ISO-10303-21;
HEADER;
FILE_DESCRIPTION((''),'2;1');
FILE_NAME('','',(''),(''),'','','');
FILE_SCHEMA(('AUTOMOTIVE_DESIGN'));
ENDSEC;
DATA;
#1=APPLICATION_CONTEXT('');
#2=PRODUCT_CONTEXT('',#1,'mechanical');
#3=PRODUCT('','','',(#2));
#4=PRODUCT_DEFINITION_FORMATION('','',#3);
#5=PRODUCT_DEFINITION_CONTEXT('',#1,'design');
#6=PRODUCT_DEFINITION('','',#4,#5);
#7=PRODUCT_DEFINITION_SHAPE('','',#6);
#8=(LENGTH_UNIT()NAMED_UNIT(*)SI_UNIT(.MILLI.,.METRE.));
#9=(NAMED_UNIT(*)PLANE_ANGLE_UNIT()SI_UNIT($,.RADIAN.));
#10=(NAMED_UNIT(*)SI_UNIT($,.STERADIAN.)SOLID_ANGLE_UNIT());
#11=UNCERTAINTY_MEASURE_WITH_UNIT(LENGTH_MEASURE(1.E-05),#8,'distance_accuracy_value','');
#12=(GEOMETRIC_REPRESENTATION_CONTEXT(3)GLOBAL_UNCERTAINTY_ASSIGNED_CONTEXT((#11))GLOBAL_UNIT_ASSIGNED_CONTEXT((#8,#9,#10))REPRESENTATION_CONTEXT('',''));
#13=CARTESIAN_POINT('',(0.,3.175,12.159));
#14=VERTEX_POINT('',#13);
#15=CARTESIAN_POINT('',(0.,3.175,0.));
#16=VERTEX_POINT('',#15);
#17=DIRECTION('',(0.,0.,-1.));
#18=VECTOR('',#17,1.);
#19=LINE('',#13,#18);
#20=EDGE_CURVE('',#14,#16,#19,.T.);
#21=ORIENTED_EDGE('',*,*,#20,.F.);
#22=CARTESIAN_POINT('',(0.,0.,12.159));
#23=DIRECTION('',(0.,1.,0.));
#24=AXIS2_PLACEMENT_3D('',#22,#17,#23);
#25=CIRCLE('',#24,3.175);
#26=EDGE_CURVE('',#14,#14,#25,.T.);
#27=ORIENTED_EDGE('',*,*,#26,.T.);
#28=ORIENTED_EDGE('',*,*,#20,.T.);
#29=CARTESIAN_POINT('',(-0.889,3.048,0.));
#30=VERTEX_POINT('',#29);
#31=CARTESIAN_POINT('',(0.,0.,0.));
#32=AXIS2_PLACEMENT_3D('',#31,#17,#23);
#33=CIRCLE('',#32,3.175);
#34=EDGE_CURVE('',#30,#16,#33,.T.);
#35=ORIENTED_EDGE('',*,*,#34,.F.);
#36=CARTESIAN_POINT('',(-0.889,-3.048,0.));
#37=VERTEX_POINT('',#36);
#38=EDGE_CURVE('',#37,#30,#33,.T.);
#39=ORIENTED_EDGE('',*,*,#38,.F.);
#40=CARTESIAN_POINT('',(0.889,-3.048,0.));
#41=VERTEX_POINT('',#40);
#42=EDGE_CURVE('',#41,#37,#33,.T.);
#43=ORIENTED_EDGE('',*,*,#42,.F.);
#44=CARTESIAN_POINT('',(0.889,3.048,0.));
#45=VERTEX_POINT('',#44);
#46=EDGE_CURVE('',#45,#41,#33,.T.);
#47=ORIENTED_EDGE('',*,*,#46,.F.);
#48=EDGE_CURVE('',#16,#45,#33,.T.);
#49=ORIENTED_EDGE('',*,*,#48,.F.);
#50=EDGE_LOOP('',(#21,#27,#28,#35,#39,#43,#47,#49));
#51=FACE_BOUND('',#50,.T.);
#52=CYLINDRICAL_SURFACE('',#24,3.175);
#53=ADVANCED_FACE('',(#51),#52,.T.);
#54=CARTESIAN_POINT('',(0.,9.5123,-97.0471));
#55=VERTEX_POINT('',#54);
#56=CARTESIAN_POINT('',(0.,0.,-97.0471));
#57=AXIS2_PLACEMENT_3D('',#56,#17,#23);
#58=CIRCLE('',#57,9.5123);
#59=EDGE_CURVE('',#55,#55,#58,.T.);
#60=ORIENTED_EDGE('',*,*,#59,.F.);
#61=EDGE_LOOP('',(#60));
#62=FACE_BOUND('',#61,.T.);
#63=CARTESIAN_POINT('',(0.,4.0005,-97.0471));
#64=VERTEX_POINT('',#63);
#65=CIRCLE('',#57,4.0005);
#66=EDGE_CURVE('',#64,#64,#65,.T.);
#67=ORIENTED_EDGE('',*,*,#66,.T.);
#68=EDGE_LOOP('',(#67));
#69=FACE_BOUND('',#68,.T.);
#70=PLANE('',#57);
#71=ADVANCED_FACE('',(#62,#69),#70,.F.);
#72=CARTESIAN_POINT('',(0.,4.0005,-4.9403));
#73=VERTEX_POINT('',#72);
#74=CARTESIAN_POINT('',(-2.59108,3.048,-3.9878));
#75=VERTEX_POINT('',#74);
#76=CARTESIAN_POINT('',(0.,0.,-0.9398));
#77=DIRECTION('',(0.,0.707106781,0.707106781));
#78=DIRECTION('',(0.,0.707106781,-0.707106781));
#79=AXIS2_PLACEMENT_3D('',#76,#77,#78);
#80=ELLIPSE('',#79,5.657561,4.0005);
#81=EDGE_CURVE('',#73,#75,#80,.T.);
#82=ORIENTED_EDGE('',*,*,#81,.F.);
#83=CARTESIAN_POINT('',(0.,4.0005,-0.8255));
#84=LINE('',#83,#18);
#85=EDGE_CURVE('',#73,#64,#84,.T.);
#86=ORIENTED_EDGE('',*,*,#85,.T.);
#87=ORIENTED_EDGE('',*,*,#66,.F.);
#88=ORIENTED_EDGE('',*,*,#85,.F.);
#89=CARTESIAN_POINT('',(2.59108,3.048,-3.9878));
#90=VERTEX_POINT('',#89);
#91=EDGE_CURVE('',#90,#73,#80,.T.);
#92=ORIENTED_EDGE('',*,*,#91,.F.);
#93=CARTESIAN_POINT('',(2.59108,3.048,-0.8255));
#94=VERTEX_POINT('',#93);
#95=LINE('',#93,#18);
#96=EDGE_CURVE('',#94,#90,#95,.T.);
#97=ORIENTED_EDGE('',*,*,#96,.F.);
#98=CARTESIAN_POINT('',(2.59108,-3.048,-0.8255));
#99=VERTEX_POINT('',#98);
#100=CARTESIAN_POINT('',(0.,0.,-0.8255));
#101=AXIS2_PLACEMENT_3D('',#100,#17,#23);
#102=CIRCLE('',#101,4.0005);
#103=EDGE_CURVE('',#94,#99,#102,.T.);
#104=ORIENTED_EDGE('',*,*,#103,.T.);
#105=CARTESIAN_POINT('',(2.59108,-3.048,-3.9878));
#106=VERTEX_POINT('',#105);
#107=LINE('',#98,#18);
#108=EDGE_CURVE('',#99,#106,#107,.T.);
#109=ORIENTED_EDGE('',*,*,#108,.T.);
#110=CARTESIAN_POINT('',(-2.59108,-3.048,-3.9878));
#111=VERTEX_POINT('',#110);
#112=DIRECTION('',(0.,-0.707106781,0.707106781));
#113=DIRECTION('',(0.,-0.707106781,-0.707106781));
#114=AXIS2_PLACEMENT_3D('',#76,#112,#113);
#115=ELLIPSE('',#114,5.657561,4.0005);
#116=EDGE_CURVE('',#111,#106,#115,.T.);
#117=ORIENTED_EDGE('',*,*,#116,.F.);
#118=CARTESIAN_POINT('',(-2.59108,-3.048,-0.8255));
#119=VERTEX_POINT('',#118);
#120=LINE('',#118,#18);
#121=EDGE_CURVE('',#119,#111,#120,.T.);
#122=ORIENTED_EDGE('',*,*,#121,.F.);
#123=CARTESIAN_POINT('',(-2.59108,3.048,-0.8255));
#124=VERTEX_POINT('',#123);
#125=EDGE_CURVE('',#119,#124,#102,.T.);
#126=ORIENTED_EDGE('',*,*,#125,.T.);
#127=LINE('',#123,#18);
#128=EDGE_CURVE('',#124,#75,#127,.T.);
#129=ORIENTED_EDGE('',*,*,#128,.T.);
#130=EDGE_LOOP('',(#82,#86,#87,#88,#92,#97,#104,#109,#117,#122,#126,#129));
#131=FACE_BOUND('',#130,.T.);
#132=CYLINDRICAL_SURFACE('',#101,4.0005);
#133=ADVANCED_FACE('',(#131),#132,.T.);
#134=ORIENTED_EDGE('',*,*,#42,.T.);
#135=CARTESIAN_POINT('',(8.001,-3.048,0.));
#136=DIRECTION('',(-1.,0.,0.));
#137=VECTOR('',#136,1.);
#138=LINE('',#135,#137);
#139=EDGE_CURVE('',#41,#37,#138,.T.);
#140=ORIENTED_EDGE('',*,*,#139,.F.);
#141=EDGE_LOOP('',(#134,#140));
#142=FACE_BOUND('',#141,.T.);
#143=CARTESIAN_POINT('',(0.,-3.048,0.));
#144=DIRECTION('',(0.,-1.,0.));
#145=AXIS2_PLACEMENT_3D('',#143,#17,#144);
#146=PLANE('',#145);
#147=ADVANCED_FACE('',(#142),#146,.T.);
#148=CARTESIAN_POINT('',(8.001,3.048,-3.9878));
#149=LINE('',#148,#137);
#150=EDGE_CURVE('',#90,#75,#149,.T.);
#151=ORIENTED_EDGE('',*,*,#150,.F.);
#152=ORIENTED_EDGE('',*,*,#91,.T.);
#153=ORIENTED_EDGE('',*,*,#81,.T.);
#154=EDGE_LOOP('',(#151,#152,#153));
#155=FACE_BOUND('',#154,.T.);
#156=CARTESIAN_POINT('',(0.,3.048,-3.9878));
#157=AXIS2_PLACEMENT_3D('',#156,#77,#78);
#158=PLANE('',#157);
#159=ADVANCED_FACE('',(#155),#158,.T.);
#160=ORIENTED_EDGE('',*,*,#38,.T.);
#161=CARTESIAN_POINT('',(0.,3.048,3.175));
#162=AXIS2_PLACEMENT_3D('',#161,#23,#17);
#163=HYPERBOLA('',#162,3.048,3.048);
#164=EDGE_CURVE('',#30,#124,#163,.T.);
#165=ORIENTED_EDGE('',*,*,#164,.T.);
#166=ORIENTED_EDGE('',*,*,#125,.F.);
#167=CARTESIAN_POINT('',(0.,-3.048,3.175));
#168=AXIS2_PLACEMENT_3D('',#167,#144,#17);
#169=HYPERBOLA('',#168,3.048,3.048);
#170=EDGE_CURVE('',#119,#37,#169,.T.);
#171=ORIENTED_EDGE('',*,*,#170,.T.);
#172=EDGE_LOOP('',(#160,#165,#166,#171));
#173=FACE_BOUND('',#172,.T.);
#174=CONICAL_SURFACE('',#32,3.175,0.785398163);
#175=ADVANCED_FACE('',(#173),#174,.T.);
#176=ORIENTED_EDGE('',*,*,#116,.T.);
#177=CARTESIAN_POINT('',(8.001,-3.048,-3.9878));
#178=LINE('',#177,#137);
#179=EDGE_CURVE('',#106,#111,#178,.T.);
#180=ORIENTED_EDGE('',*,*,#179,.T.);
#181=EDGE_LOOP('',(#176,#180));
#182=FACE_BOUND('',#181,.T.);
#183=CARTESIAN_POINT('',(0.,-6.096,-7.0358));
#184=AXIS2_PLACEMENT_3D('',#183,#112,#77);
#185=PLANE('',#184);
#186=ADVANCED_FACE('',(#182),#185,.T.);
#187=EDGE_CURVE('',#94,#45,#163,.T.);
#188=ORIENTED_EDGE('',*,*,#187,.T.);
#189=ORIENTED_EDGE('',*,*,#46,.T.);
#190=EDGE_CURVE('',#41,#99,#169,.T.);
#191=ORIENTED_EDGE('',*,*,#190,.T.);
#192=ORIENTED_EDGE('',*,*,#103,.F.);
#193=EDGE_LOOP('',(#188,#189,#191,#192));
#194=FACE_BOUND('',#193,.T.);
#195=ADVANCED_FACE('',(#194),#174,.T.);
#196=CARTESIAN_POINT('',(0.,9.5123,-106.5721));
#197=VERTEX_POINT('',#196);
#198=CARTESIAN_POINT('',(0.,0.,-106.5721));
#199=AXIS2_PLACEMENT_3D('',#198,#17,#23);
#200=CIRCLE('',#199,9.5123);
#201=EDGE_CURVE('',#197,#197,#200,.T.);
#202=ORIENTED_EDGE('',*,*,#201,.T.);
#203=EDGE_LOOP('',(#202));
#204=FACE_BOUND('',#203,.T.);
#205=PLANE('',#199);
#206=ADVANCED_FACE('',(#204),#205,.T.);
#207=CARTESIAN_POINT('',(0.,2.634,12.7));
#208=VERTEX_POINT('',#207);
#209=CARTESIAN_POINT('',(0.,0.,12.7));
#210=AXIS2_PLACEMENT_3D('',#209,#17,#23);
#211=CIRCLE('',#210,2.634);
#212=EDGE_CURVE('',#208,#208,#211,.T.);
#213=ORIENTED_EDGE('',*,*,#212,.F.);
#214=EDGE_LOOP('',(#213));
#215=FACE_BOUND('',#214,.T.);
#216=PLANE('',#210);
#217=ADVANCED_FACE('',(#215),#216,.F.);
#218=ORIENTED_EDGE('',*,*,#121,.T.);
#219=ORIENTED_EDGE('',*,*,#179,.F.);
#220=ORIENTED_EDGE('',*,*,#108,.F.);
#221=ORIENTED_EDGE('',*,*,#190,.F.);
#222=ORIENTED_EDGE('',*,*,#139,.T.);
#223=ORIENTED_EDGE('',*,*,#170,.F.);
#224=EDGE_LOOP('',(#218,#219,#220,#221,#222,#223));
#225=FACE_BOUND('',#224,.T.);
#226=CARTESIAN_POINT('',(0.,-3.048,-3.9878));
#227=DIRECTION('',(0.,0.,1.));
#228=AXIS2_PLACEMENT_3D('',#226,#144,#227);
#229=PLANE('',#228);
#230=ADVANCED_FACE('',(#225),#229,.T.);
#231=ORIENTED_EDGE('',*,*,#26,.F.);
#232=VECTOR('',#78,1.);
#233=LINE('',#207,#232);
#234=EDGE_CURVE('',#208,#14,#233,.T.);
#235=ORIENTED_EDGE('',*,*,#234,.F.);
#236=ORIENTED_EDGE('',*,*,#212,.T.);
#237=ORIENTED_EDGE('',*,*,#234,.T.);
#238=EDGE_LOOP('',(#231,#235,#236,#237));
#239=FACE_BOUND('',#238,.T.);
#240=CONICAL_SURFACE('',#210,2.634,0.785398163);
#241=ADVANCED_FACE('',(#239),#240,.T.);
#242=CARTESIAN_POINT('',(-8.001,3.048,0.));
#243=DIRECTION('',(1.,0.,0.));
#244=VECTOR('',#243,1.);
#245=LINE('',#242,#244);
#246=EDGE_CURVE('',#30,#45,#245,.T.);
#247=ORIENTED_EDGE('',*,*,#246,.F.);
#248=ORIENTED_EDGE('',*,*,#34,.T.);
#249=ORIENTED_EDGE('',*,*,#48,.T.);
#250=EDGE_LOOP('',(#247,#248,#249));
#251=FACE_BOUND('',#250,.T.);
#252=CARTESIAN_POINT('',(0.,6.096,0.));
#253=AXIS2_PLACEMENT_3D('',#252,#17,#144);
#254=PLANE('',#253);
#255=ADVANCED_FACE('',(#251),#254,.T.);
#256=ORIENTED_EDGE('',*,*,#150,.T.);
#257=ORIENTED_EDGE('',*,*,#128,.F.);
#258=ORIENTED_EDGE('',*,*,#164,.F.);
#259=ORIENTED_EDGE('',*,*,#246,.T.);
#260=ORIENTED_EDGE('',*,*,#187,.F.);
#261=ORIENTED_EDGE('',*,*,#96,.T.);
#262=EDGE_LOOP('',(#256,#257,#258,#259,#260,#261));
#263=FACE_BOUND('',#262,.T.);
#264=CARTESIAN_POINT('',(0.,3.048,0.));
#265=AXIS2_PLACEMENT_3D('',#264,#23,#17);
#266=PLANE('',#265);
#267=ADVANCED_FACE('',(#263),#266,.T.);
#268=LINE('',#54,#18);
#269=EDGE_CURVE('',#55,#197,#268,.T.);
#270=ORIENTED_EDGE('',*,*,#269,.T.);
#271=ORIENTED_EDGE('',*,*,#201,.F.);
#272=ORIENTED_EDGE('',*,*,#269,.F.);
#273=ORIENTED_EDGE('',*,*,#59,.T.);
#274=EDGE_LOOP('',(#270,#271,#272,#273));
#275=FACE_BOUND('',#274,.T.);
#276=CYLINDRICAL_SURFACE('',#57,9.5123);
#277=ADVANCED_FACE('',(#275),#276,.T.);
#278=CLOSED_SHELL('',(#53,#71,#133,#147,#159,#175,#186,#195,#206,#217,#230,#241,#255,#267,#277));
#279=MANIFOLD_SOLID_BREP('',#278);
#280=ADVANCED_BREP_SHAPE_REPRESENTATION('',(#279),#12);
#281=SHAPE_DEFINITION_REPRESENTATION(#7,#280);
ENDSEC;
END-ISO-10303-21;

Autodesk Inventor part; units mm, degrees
sketch "Sketch_1" plane through (0, 0, 0) normal (1, 0, 0) x (0, 1, 0)
  line L0 (0, -106.5721) -> (0, 12.7)
  line L1 (0, 12.7) -> (2.634, 12.7)
  line L2 (2.634, 12.7) -> (3.175, 12.159)
  line L3 (3.175, 12.159) -> (3.175, 0)
  line L4 (3.175, 0) -> (4.0005, -0.8255)
  line L5 (4.0005, -0.8255) -> (4.0005, -97.0471)
  line L6 (4.0005, -97.0471) -> (9.5123, -97.0471)
  line L7 (9.5123, -97.0471) -> (9.5123, -106.5721)
  line L8 (9.5123, -106.5721) -> (0, -106.5721)
  line L9 (0, -106.5721) -> (0, 12.7)
revolve "Revolution1" add sketch "Sketch_1" angle 360 about axis through (0, 0, -106.5721) along (0, 0, -1)
thread "Thread1" size "1/4-28 UNF" class "2A" standard "ANSI Unified Screw Threads" full length
sketch "Sketch_2" plane through (0, 0, 0) normal (1, 0, 0) x (0, 1, 0)
  line L0 (6.096, 0) -> (3.048, 0)
  line L1 (3.048, 0) -> (3.048, -3.9878)
  line L2 (3.048, -3.9878) -> (6.096, -7.0358)
  line L3 (6.096, -7.0358) -> (6.096, 0)
extrude "Extrusion1" cut sketch "Sketch_2" along normal mid plane 16.002
sketch "Sketch_3" plane through (0, 0, 0) normal (1, 0, 0) x (0, 1, 0)
  line L0 (-6.096, 0) -> (-6.096, -7.0358)
  line L1 (-6.096, -7.0358) -> (-3.048, -3.9878)
  line L2 (-3.048, -3.9878) -> (-3.048, 0)
  line L3 (-3.048, 0) -> (-6.096, 0)
extrude "Extrusion2" cut sketch "Sketch_3" along normal mid plane 16.002
ref_plane "conn_XY" through (0, 0, 0) normal (0, 0, -1) x (1, 0, 0)
ref_plane "conn_YZ" through (0, 0, 0) normal (1, 0, 0) x (0, -1, 0)
ref_plane "conn_ZX" through (0, 0, 0) normal (0, -1, 0) x (0, 0, -1)
properties part number "PR_OCG1-3/4x2" material "Stainless Steel"
